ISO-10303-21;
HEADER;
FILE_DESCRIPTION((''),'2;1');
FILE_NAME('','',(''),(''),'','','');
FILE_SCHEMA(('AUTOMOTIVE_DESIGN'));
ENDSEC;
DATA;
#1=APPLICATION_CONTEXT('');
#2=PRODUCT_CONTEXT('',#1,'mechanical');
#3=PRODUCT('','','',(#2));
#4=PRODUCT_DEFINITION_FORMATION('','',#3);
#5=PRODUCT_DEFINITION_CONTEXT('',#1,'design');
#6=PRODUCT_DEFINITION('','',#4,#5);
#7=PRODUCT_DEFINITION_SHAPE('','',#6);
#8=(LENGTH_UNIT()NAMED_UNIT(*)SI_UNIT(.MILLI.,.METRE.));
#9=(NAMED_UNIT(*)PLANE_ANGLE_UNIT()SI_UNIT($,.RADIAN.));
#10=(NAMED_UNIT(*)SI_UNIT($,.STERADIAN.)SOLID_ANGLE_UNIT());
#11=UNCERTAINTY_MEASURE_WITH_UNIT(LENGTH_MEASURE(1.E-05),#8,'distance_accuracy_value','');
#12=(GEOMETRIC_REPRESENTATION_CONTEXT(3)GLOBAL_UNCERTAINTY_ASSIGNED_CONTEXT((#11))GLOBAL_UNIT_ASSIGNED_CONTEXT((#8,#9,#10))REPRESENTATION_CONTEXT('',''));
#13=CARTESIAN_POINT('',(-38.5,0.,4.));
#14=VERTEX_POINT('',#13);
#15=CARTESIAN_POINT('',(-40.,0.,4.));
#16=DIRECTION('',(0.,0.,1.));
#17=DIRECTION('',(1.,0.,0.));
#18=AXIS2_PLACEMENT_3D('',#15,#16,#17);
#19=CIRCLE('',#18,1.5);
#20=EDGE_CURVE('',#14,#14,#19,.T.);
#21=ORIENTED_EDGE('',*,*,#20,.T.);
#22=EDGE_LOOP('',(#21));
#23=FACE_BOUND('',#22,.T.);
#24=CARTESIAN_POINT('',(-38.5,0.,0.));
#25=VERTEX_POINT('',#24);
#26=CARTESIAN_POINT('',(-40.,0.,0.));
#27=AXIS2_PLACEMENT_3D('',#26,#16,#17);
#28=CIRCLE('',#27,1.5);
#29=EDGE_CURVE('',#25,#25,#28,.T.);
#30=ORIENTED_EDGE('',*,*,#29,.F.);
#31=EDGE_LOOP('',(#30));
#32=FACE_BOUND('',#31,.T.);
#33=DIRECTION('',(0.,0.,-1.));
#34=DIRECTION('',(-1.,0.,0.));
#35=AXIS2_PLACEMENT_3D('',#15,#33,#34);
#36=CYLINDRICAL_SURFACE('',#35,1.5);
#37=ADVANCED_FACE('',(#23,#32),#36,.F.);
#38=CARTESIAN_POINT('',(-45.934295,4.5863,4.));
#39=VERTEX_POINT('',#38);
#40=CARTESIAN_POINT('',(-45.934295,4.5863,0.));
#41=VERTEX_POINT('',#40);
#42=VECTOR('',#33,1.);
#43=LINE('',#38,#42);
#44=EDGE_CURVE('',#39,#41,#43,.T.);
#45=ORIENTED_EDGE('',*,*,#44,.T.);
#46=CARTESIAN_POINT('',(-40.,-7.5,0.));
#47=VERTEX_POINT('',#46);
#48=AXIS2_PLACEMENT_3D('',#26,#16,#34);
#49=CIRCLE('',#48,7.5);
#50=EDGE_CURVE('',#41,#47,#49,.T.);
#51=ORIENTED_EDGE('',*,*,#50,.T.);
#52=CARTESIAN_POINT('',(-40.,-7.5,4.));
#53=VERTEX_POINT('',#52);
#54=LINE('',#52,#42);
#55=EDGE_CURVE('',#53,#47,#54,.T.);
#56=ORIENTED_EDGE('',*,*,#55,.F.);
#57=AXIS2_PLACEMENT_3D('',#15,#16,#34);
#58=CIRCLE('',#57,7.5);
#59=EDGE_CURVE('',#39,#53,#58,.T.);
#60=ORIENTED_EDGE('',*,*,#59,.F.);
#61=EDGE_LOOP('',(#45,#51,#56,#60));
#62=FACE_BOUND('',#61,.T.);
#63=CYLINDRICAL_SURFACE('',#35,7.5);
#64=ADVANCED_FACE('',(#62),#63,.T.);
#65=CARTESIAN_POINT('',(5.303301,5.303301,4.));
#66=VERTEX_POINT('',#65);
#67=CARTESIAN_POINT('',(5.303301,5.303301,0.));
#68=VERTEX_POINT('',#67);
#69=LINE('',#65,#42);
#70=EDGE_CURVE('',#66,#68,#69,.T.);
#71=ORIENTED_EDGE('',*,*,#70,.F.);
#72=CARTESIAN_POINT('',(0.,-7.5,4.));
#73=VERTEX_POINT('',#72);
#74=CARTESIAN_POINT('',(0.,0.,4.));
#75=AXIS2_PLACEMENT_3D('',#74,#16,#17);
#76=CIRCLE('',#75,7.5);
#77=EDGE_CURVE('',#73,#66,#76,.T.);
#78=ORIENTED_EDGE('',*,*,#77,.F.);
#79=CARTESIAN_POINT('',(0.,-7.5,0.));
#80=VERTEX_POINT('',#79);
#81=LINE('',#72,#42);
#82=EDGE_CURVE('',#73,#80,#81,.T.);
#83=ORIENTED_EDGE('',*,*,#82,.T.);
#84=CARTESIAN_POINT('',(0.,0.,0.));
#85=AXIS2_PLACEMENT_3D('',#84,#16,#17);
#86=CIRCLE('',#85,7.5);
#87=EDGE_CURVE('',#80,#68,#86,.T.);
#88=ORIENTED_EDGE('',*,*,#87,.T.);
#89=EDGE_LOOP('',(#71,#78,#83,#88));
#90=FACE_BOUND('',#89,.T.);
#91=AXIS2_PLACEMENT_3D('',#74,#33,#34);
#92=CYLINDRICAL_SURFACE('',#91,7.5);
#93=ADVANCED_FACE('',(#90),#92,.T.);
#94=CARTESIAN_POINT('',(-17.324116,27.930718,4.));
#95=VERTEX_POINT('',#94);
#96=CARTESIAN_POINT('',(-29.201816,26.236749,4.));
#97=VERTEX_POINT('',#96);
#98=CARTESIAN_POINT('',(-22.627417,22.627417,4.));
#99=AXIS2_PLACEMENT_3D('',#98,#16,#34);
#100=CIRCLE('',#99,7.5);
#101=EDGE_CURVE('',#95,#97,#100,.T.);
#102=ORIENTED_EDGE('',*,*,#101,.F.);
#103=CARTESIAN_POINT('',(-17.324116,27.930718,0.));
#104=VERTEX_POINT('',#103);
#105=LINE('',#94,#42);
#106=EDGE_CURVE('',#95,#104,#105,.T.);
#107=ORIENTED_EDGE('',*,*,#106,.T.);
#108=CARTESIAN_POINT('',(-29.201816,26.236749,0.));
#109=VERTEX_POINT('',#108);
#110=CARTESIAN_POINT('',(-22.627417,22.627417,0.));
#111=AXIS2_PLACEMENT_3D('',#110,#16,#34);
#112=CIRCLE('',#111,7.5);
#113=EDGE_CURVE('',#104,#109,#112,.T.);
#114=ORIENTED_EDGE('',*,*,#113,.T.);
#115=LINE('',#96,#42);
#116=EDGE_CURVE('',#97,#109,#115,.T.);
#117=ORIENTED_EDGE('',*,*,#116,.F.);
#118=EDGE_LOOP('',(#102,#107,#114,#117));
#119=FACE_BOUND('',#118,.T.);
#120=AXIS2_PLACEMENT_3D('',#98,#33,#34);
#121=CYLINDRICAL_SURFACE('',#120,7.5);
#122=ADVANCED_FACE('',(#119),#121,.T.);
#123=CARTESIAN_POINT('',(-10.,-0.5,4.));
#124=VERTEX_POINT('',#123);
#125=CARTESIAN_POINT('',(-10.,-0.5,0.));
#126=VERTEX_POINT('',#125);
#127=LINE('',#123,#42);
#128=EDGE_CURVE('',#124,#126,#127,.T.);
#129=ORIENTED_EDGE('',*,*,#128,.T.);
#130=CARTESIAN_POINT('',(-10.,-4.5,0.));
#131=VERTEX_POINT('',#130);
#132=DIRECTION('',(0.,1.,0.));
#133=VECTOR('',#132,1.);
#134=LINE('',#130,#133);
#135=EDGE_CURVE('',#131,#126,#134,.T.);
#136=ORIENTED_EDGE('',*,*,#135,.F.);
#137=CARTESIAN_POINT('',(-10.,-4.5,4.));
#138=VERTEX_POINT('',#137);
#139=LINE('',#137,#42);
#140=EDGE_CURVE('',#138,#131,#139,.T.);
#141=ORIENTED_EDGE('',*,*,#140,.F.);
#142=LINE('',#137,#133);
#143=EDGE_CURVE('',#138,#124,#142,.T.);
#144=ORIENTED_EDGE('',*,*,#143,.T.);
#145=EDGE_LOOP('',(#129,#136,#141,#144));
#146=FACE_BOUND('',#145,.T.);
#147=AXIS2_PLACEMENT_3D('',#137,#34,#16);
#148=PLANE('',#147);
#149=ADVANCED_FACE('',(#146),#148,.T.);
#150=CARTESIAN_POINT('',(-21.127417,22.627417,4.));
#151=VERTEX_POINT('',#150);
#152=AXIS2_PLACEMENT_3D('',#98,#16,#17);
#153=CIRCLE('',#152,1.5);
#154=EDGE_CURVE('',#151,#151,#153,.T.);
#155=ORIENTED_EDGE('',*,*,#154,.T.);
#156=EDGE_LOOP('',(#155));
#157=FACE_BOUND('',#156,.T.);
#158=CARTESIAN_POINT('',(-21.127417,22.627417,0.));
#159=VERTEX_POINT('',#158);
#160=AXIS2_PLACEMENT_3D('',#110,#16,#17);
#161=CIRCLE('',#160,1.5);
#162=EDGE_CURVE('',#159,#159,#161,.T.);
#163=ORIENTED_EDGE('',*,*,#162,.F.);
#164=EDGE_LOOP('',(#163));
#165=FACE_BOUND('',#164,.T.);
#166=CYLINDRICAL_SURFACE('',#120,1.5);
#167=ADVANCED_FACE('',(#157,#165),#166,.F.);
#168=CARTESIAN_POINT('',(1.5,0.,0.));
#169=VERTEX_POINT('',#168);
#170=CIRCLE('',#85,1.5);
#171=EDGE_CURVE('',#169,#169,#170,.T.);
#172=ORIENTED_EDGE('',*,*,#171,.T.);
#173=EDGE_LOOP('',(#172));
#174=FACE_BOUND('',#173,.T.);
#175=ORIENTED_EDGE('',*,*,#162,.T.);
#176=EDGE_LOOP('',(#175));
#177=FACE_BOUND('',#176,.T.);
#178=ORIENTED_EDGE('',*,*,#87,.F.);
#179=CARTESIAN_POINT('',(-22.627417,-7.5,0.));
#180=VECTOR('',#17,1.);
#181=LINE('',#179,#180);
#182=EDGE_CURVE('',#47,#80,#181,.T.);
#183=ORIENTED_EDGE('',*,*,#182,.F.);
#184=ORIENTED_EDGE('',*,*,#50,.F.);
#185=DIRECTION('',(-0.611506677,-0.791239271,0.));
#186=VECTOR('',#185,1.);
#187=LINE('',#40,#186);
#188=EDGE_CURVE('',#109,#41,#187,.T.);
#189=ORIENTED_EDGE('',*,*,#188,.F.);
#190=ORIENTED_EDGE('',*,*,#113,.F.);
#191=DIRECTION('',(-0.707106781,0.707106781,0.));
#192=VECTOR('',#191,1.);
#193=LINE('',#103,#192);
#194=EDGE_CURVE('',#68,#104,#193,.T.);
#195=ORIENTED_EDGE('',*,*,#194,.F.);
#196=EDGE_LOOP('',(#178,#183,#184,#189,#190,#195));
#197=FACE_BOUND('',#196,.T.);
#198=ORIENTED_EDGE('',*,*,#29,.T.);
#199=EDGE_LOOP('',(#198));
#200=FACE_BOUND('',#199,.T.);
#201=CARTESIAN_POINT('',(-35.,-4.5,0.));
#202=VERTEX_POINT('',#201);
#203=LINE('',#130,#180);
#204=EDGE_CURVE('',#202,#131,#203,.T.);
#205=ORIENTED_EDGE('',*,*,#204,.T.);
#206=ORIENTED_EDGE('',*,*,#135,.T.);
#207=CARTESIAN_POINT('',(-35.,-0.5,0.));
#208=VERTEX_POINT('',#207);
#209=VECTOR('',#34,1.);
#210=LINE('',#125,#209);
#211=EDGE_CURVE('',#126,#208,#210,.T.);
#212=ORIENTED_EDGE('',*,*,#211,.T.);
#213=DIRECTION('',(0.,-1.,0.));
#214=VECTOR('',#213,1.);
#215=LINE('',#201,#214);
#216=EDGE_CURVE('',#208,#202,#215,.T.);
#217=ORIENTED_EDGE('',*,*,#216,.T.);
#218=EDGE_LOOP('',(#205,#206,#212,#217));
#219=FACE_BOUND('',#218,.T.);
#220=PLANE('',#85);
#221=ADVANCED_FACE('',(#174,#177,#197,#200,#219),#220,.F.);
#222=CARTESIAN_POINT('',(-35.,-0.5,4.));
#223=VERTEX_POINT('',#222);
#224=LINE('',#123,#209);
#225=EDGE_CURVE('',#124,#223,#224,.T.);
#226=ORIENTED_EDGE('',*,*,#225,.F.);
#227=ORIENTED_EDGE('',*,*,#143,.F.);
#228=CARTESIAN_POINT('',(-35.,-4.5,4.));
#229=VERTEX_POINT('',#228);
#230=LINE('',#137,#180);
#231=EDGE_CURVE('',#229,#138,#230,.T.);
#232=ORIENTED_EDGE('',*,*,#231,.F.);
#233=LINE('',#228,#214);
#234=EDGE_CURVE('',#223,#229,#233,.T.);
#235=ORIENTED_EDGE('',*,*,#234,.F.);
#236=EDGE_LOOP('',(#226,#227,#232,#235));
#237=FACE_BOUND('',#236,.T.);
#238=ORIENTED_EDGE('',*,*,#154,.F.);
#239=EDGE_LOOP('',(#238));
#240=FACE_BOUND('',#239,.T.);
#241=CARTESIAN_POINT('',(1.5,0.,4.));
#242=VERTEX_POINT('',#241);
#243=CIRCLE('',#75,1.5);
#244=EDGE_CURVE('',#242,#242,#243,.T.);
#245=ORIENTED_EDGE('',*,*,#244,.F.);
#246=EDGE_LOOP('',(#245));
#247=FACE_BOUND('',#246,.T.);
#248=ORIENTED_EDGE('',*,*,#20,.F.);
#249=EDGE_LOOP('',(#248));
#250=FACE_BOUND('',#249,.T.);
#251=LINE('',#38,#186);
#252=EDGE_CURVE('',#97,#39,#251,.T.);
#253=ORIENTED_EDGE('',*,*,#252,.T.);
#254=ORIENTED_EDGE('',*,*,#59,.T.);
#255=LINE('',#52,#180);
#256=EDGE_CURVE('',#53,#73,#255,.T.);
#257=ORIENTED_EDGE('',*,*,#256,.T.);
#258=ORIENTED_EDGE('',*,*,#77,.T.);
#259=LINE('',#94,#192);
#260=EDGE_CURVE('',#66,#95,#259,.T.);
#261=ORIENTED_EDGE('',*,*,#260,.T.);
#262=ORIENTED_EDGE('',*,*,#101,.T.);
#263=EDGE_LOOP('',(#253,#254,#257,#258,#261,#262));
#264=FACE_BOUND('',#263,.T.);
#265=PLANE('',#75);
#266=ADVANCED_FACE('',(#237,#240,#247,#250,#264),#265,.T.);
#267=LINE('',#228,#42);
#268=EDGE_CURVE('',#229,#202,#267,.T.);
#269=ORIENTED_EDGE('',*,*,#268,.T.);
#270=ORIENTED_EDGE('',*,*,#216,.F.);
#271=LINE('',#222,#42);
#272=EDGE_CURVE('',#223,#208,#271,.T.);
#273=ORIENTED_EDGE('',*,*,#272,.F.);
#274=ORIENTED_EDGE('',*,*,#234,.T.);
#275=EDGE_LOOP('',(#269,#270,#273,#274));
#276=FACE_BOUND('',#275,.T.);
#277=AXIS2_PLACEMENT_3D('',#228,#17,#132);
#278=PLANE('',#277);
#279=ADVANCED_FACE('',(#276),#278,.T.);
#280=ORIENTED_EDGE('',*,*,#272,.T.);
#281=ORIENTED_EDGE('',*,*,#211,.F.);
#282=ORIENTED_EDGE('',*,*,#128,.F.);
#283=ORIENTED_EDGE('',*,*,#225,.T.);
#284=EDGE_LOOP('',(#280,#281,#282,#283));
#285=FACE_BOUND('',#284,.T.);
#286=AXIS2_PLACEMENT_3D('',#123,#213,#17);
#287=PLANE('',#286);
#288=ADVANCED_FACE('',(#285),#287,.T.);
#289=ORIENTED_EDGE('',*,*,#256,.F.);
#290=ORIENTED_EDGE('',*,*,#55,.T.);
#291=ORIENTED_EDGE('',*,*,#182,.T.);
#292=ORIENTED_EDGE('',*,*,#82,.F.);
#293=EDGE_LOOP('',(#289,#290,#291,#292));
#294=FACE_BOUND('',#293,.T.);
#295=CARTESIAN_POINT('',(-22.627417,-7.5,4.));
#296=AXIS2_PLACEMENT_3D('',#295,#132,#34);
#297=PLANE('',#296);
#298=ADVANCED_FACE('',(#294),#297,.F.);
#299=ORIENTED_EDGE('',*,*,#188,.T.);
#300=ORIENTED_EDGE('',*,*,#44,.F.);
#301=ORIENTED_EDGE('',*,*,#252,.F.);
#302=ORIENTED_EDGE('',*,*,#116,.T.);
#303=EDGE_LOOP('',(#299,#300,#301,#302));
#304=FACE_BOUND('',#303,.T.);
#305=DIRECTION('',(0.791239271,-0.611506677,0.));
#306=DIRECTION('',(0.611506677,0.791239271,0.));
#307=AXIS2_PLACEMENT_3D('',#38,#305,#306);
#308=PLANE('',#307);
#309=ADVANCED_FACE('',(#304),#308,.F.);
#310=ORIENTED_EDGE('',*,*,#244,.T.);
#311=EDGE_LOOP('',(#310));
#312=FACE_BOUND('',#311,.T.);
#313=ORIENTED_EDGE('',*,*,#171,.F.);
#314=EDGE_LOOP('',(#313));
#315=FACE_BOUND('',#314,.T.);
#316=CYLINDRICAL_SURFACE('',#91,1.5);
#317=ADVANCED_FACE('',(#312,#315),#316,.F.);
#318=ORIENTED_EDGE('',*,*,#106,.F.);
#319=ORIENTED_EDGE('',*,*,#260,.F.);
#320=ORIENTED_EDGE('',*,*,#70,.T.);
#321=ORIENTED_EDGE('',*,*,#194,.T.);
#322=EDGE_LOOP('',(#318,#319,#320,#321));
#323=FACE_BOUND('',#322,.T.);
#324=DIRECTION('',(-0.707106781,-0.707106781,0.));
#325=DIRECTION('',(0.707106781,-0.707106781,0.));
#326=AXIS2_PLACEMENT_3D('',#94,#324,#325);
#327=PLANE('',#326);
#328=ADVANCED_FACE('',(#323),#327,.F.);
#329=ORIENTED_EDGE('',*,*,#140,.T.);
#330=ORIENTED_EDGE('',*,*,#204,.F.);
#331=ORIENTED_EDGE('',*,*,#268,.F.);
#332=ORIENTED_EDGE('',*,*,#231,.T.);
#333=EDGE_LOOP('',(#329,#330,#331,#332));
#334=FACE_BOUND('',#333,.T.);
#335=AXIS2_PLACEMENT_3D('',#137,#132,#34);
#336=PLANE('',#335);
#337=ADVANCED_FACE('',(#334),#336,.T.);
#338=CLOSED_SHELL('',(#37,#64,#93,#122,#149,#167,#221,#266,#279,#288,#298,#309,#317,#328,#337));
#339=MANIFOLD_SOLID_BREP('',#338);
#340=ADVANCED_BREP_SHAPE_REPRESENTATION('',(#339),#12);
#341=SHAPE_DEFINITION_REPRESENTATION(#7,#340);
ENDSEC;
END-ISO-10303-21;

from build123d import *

# Parameters (mm, degrees)
SCHIZZO1_R                   = 1.5
SCHIZZO1_W                   = 25
SCHIZZO1_H                   = 4
ESTRUSIONE_ESTRUSIONE2_DEPTH = 4


with BuildPart() as part:
    # Schizzo1 → Estrusione-Estrusione2 (new body)
    with BuildSketch(Plane.XY):
        with BuildLine():
            Line((-22.627416998, -7.5), (0, -7.5))
            ThreePointArc((0, -7.5), (6.929096494, -2.870125743), (5.303300859, 5.303300859))
            Line((5.303300859, 5.303300859), (-17.324116139, 27.930717857))
            ThreePointArc((-17.324116139, 27.930717857), (-23.686333927, 30.052287026), (-29.20181593, 26.236749163))
            Line((-29.20181593, 26.236749163), (-45.934294533, 4.586300077))
            ThreePointArc((-45.934294533, 4.586300077), (-46.732282324, -3.305506726), (-40, -7.5))
            Line((-40, -7.5), (-22.627416998, -7.5))
        make_face()
        Circle(SCHIZZO1_R, mode=Mode.SUBTRACT)
        with Locations((-22.627416998, 22.627416998)):
            Circle(SCHIZZO1_R, mode=Mode.SUBTRACT)
        with Locations((-40, 0)):
            Circle(SCHIZZO1_R, mode=Mode.SUBTRACT)
        with Locations((-22.5, -2.5)):
            Rectangle(SCHIZZO1_W, SCHIZZO1_H, mode=Mode.SUBTRACT)
    extrude(amount=ESTRUSIONE_ESTRUSIONE2_DEPTH)


solid = part.part
